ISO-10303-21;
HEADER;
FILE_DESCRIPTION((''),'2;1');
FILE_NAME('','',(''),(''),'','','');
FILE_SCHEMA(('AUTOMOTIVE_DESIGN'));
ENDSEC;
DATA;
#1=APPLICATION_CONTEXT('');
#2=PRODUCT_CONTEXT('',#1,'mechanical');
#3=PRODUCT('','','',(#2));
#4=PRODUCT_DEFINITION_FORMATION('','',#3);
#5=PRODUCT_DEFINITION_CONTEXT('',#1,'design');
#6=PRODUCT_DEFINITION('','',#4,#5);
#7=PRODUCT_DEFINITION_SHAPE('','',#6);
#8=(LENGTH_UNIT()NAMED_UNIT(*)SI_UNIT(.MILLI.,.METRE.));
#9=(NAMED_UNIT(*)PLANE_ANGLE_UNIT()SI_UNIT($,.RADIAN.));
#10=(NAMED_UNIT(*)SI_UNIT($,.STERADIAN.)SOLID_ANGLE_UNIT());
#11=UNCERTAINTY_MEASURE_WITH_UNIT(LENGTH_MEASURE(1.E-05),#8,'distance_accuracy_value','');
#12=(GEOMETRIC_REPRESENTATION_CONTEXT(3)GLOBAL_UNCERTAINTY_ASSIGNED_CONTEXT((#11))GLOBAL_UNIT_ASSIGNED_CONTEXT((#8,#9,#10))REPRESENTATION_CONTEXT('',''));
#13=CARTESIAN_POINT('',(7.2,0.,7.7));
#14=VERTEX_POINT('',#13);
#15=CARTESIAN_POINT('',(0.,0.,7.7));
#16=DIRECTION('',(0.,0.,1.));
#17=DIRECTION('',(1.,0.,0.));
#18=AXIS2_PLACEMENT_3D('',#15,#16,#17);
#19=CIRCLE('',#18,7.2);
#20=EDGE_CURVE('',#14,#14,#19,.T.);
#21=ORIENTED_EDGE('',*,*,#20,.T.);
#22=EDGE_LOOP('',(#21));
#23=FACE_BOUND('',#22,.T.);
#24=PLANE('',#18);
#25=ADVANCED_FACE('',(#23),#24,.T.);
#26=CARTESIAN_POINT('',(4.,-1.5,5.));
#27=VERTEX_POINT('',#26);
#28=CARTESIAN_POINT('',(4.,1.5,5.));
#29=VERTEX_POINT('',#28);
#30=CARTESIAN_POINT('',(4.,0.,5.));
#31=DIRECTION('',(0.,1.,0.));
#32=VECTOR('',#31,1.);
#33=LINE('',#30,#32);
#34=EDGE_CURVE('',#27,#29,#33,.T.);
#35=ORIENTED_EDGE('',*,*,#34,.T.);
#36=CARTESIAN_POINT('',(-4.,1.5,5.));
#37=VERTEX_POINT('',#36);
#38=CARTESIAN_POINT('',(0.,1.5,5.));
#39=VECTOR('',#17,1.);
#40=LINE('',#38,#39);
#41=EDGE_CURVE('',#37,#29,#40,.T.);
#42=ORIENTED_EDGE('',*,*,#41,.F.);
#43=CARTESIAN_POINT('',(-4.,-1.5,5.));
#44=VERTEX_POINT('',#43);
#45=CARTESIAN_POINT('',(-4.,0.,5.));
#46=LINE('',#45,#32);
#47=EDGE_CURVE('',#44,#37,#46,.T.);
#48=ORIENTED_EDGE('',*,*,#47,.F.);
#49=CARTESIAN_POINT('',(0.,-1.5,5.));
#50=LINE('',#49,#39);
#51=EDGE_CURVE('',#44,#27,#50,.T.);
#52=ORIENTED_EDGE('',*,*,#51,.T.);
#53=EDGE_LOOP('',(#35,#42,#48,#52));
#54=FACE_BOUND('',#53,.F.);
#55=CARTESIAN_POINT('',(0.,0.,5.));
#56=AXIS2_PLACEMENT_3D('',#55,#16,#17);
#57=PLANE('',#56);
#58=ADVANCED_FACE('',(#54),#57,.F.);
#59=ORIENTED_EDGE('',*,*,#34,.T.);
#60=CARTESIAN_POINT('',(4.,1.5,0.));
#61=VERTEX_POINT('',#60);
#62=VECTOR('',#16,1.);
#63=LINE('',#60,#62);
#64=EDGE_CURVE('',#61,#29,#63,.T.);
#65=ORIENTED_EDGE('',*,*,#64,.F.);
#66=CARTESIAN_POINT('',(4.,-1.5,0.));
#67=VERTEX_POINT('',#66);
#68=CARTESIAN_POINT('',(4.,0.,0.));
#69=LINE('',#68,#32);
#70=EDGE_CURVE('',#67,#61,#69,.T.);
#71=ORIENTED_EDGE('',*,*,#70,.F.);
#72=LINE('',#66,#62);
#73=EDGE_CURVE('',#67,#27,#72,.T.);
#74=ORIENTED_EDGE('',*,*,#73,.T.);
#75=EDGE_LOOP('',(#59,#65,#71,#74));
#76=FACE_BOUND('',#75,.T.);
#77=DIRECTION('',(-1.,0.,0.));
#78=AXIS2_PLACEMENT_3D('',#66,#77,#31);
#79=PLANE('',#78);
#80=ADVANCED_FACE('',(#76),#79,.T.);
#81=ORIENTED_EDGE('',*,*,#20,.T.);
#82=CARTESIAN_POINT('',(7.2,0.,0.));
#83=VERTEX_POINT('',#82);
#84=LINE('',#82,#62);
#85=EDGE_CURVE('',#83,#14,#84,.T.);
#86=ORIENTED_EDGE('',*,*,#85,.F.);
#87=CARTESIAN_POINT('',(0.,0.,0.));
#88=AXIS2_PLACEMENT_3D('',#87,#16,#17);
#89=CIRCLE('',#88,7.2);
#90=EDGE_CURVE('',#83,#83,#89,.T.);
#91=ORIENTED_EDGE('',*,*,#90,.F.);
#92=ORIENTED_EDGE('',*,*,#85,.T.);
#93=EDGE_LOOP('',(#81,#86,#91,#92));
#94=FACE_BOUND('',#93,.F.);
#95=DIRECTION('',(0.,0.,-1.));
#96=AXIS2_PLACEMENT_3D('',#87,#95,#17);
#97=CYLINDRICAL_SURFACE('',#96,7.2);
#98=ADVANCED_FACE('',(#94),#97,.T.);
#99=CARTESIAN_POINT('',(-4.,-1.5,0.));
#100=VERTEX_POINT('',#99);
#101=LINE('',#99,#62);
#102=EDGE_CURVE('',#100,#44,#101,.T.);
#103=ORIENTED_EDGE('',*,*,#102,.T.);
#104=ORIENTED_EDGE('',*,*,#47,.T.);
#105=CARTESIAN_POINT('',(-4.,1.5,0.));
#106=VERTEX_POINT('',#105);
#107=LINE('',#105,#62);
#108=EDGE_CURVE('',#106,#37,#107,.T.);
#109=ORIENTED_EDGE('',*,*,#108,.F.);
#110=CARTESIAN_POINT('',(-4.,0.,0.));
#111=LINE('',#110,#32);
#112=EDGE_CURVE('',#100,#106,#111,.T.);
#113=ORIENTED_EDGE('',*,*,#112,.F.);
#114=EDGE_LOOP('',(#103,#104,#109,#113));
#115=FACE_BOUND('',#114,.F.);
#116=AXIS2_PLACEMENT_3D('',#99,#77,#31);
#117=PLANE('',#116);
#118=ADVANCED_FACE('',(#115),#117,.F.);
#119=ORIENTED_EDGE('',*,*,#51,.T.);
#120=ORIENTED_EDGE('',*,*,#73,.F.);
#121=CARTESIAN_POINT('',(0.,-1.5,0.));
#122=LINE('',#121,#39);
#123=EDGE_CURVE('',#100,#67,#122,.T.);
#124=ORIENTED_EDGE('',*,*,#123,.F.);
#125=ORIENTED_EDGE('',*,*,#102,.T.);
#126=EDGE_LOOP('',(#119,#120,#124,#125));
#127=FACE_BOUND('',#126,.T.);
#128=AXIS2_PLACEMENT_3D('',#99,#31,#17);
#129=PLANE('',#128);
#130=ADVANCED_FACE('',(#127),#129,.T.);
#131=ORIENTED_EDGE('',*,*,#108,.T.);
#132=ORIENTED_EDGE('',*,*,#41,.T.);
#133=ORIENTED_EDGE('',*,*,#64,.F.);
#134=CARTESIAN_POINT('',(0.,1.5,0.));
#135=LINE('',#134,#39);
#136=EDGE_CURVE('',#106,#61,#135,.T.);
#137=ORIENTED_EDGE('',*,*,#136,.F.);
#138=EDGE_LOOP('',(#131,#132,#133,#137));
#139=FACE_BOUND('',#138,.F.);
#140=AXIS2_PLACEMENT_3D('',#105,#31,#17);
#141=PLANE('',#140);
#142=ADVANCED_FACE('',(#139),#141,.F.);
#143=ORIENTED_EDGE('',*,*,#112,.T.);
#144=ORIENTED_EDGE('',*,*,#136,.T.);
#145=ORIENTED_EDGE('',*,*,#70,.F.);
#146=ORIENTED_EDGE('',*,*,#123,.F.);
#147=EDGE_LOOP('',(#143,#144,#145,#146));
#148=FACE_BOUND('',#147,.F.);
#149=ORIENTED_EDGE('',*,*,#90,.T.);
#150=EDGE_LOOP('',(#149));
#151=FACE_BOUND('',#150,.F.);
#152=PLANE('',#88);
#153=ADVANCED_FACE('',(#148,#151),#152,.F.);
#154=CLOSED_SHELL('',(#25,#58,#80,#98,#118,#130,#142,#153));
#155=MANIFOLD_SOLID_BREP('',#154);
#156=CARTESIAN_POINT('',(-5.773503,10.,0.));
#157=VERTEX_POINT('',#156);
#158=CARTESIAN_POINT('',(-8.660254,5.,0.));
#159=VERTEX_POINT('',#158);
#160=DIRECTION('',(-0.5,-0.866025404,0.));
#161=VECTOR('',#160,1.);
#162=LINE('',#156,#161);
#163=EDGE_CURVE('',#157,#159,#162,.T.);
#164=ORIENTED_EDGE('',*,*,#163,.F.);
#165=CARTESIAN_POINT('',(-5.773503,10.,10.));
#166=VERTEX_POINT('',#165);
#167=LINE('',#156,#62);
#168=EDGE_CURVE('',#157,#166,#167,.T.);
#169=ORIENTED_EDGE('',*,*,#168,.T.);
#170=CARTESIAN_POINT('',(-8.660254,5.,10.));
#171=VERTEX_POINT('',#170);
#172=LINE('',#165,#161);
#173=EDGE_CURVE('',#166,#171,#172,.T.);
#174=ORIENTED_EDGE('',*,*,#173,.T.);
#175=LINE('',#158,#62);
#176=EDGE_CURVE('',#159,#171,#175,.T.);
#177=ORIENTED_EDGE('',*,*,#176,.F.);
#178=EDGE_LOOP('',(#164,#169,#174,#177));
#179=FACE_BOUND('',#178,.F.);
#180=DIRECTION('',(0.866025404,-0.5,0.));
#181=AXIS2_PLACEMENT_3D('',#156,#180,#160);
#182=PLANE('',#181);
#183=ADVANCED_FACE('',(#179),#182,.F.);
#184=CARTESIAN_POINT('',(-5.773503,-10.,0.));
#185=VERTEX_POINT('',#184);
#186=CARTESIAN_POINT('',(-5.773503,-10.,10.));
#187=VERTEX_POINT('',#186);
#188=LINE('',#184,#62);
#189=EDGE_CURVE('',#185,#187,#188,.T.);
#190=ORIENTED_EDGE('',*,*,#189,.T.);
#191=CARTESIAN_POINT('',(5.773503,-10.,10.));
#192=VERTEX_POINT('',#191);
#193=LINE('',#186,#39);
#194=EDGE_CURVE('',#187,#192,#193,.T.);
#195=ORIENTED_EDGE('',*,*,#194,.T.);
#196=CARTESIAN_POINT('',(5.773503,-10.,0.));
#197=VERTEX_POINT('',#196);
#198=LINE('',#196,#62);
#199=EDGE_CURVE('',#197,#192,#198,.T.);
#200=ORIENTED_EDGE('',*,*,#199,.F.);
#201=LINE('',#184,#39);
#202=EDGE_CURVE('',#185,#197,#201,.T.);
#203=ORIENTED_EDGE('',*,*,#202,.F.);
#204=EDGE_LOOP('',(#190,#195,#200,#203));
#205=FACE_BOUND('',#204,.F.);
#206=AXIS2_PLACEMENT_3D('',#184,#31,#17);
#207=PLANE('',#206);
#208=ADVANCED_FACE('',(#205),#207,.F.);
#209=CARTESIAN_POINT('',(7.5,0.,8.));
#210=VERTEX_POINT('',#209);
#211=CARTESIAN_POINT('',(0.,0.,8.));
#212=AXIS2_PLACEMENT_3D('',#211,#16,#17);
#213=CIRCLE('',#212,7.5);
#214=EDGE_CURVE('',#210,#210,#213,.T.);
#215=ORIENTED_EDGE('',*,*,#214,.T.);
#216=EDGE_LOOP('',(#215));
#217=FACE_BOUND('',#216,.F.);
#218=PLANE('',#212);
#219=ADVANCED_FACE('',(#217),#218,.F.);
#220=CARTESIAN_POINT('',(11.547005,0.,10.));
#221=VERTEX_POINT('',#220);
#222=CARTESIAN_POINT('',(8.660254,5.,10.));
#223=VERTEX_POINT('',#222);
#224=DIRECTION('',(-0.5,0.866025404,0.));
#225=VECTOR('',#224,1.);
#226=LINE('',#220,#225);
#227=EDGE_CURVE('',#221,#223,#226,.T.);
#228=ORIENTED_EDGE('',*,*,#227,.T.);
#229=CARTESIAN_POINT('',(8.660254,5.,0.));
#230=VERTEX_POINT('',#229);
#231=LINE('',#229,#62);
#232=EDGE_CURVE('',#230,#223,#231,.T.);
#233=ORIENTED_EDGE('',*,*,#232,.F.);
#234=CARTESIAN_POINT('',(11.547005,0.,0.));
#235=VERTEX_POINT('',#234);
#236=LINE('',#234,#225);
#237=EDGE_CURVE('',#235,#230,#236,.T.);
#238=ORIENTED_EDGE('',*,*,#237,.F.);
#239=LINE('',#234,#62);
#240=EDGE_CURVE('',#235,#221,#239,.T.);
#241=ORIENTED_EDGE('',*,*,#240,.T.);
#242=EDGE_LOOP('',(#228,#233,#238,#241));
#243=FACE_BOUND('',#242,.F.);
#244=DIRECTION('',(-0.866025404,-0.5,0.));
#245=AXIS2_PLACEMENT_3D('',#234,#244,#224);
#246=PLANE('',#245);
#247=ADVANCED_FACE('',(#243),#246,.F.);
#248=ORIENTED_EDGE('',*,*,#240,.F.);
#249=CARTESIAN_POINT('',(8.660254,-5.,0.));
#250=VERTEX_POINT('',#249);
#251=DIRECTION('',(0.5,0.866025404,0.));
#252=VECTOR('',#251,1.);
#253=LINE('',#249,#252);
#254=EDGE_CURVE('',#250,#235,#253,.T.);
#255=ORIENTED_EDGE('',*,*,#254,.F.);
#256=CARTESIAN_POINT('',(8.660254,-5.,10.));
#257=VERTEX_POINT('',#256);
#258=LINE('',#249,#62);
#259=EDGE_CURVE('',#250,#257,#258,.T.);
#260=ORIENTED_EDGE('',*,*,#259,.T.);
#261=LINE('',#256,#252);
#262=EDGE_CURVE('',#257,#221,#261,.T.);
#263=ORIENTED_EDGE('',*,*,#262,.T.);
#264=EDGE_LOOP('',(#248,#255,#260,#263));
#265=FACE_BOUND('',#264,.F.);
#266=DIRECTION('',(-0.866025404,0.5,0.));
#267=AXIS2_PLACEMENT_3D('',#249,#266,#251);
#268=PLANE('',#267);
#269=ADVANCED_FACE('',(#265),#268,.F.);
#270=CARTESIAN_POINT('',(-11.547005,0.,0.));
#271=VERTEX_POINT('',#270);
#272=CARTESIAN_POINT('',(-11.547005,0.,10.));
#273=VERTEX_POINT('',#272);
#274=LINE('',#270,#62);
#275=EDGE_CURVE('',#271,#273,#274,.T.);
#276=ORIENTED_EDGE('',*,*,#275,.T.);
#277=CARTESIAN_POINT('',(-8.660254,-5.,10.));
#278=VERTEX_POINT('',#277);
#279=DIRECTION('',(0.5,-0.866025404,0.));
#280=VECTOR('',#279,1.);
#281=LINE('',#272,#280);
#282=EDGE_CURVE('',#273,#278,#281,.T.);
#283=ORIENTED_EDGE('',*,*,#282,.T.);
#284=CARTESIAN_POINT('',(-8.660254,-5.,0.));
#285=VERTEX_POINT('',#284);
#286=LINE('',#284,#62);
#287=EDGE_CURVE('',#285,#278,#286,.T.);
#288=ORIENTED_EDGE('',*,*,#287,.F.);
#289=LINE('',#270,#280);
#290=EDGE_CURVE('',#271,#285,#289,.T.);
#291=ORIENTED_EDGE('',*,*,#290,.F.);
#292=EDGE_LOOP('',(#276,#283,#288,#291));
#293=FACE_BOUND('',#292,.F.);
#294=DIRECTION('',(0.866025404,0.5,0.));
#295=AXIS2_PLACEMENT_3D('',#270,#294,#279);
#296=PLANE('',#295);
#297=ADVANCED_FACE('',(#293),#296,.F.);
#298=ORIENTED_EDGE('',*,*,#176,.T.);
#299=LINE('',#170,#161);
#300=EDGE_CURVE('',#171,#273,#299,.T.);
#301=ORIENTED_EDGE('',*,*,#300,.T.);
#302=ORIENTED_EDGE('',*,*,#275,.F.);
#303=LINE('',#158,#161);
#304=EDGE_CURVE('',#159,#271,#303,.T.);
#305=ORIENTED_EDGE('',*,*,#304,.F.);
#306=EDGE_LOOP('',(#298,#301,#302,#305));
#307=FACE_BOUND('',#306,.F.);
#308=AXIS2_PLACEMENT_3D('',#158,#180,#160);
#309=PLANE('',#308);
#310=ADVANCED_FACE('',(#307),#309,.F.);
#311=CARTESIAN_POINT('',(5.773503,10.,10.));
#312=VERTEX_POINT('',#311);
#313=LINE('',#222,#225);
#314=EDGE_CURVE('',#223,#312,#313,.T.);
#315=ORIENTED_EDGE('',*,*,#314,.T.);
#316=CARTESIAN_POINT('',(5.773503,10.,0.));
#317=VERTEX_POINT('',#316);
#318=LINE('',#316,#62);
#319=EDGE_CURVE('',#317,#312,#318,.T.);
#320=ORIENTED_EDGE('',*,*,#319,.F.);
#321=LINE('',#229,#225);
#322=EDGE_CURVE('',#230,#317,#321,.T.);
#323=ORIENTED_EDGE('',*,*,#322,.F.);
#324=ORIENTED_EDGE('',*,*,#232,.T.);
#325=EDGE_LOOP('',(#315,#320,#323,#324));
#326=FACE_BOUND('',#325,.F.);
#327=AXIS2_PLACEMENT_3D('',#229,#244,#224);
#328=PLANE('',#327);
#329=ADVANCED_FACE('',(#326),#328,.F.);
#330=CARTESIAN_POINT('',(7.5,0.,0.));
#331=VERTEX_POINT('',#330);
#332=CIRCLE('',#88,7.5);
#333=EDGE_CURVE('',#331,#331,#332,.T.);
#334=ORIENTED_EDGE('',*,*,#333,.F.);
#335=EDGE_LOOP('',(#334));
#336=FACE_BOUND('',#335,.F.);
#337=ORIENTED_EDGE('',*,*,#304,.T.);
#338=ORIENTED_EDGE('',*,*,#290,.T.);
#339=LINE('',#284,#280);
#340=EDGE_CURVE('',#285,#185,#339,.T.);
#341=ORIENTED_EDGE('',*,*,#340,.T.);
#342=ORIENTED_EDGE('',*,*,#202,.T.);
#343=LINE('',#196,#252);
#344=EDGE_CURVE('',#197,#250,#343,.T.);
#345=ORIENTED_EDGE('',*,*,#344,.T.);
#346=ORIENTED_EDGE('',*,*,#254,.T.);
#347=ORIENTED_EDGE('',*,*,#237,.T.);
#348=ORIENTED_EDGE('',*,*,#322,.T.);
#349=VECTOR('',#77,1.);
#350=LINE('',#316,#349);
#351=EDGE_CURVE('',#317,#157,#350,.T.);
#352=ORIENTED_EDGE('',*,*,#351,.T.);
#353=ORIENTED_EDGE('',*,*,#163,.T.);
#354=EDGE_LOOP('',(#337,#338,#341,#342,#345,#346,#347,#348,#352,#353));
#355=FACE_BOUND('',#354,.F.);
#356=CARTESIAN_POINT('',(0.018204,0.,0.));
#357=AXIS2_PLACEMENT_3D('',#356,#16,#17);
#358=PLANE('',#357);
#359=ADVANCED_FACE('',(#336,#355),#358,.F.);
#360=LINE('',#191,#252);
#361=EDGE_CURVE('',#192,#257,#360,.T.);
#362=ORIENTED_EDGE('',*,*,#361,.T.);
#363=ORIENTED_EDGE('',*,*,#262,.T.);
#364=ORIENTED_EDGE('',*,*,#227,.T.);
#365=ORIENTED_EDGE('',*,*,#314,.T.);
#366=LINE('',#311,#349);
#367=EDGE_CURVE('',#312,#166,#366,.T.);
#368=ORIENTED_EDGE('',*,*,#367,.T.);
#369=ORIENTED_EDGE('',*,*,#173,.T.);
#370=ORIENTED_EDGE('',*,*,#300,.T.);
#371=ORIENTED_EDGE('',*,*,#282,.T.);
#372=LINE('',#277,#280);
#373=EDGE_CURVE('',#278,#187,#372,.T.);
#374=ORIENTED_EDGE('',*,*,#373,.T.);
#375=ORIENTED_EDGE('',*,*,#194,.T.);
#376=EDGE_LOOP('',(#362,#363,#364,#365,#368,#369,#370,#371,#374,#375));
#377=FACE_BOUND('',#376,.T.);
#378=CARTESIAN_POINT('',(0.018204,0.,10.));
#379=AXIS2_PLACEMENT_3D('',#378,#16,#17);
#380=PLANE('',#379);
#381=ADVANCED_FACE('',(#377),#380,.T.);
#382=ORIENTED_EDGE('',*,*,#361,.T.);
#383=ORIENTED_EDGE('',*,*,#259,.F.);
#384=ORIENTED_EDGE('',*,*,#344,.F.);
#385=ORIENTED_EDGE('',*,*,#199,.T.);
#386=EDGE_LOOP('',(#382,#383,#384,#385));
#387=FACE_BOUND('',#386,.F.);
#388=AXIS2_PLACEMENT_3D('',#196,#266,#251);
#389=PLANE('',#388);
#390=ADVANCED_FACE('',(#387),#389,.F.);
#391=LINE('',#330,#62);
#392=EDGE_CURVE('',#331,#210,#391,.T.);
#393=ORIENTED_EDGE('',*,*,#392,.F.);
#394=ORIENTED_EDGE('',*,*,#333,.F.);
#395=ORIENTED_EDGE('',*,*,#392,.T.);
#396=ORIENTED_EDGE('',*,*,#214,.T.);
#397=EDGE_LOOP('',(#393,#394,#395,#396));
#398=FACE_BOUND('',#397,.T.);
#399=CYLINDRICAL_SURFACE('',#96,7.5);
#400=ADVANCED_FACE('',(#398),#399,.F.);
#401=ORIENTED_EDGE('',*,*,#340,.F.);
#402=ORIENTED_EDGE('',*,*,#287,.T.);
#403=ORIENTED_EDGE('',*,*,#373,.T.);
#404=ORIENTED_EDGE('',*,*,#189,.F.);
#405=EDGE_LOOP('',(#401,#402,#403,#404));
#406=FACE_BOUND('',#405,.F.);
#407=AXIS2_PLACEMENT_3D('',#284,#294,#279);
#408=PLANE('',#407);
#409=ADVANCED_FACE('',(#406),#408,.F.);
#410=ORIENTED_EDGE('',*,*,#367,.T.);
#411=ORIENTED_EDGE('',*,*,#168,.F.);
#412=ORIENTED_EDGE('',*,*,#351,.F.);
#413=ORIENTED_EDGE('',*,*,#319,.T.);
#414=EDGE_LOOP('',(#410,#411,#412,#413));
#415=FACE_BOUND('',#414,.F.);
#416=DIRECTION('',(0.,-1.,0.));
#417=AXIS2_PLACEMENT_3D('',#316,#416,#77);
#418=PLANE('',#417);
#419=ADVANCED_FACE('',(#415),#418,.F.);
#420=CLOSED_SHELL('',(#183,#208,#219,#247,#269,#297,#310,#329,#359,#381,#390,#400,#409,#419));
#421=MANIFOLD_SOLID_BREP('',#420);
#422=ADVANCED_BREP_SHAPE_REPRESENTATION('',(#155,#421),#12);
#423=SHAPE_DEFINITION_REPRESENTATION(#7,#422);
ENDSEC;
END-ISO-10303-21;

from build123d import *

# Parameters (mm, degrees)
F1_R     = 7.5
F1_R_2   = 7.2
F1_W     = 8
F1_H     = 3
F2_DEPTH = 10
F3_DEPTH = 8
F4_DEPTH = 7.7
F5_DEPTH = 5


with BuildPart() as f2:
    # F1 (on Top) → F2 (new body)
    with BuildSketch(Plane.XY):
        with BuildLine():
            ThreePointArc((8.6602540063, -5.0000000546), (9.6592582547, -2.5881904815), (10, 0))
            ThreePointArc((10, 0), (9.6592582702, 2.5881904239), (8.660254066, 4.9999999513))
            ThreePointArc((8.660254066, 4.9999999513), (5.0000000244, 8.6602540238), (0, 10))
            ThreePointArc((0, 10), (-4.9999999727, 8.6602540536), (-8.6602540063, 5.0000000546))
            ThreePointArc((-8.6602540063, 5.0000000546), (-10, 1.587e-07), (-8.660254165, -4.9999997797))
            ThreePointArc((-8.660254165, -4.9999997797), (-5.0000001101, -8.6602539743), (0, -10))
            ThreePointArc((0, -10), (4.9999999727, -8.6602540536), (8.6602540063, -5.0000000546))
        make_face()
        Circle(F1_R, mode=Mode.SUBTRACT)
        Circle(F1_R)
        Circle(F1_R_2, mode=Mode.SUBTRACT)
        Circle(F1_R_2)
        Rectangle(F1_W, F1_H, mode=Mode.SUBTRACT)
        Rectangle(F1_W, F1_H)
        with BuildLine():
            ThreePointArc((-8.6602540063, 5.0000000546), (-4.9999999727, 8.6602540536), (0, 10))
            Line((0, 10), (-5.7735026919, 10))
            Line((-5.7735026919, 10), (-8.6602540063, 5.0000000546))
        make_face()
        with BuildLine():
            ThreePointArc((0, 10), (5.0000000244, 8.6602540238), (8.660254066, 4.9999999513))
            Line((8.660254066, 4.9999999513), (5.7735026919, 10))
            Line((5.7735026919, 10), (0, 10))
        make_face()
        with BuildLine():
            ThreePointArc((8.660254066, 4.9999999513), (9.6592582702, 2.5881904239), (10, 0))
            ThreePointArc((10, 0), (9.6592582547, -2.5881904815), (8.6602540063, -5.0000000546))
            Line((8.6602540063, -5.0000000546), (11.5470053838, 0))
            Line((11.5470053838, 0), (8.660254066, 4.9999999513))
        make_face()
        with BuildLine():
            Line((5.7735026919, -10), (8.6602540063, -5.0000000546))
            ThreePointArc((8.6602540063, -5.0000000546), (4.9999999727, -8.6602540536), (0, -10))
            Line((0, -10), (5.7735026919, -10))
        make_face()
        with BuildLine():
            Line((-5.7735026919, -10), (0, -10))
            ThreePointArc((0, -10), (-5.0000001101, -8.6602539743), (-8.660254165, -4.9999997797))
            Line((-8.660254165, -4.9999997797), (-5.7735026919, -10))
        make_face()
        with BuildLine():
            ThreePointArc((-8.660254165, -4.9999997797), (-10, 1.587e-07), (-8.6602540063, 5.0000000546))
            Line((-8.6602540063, 5.0000000546), (-11.5470053838, 0))
            Line((-11.5470053838, 0), (-8.660254165, -4.9999997797))
        make_face()
    extrude(amount=F2_DEPTH)

    # F1 (on Top) → F3 (cut)
    with BuildSketch(Plane.XY):
        Circle(F1_R)
        Circle(F1_R_2, mode=Mode.SUBTRACT)
        Circle(F1_R_2)
        Rectangle(F1_W, F1_H, mode=Mode.SUBTRACT)
        Rectangle(F1_W, F1_H)
    extrude(amount=F3_DEPTH, mode=Mode.SUBTRACT)


with BuildPart() as f4:
    # F1 (on Top) → F4 (new body)
    with BuildSketch(Plane.XY):
        Circle(F1_R_2)
        Rectangle(F1_W, F1_H, mode=Mode.SUBTRACT)
        Rectangle(F1_W, F1_H)
    extrude(amount=F4_DEPTH)

    # F1 (on Top) → F5 (cut)
    with BuildSketch(Plane.XY):
        Rectangle(F1_W, F1_H)
    extrude(amount=F5_DEPTH, mode=Mode.SUBTRACT)


solid = Compound([f2.part, f4.part])
